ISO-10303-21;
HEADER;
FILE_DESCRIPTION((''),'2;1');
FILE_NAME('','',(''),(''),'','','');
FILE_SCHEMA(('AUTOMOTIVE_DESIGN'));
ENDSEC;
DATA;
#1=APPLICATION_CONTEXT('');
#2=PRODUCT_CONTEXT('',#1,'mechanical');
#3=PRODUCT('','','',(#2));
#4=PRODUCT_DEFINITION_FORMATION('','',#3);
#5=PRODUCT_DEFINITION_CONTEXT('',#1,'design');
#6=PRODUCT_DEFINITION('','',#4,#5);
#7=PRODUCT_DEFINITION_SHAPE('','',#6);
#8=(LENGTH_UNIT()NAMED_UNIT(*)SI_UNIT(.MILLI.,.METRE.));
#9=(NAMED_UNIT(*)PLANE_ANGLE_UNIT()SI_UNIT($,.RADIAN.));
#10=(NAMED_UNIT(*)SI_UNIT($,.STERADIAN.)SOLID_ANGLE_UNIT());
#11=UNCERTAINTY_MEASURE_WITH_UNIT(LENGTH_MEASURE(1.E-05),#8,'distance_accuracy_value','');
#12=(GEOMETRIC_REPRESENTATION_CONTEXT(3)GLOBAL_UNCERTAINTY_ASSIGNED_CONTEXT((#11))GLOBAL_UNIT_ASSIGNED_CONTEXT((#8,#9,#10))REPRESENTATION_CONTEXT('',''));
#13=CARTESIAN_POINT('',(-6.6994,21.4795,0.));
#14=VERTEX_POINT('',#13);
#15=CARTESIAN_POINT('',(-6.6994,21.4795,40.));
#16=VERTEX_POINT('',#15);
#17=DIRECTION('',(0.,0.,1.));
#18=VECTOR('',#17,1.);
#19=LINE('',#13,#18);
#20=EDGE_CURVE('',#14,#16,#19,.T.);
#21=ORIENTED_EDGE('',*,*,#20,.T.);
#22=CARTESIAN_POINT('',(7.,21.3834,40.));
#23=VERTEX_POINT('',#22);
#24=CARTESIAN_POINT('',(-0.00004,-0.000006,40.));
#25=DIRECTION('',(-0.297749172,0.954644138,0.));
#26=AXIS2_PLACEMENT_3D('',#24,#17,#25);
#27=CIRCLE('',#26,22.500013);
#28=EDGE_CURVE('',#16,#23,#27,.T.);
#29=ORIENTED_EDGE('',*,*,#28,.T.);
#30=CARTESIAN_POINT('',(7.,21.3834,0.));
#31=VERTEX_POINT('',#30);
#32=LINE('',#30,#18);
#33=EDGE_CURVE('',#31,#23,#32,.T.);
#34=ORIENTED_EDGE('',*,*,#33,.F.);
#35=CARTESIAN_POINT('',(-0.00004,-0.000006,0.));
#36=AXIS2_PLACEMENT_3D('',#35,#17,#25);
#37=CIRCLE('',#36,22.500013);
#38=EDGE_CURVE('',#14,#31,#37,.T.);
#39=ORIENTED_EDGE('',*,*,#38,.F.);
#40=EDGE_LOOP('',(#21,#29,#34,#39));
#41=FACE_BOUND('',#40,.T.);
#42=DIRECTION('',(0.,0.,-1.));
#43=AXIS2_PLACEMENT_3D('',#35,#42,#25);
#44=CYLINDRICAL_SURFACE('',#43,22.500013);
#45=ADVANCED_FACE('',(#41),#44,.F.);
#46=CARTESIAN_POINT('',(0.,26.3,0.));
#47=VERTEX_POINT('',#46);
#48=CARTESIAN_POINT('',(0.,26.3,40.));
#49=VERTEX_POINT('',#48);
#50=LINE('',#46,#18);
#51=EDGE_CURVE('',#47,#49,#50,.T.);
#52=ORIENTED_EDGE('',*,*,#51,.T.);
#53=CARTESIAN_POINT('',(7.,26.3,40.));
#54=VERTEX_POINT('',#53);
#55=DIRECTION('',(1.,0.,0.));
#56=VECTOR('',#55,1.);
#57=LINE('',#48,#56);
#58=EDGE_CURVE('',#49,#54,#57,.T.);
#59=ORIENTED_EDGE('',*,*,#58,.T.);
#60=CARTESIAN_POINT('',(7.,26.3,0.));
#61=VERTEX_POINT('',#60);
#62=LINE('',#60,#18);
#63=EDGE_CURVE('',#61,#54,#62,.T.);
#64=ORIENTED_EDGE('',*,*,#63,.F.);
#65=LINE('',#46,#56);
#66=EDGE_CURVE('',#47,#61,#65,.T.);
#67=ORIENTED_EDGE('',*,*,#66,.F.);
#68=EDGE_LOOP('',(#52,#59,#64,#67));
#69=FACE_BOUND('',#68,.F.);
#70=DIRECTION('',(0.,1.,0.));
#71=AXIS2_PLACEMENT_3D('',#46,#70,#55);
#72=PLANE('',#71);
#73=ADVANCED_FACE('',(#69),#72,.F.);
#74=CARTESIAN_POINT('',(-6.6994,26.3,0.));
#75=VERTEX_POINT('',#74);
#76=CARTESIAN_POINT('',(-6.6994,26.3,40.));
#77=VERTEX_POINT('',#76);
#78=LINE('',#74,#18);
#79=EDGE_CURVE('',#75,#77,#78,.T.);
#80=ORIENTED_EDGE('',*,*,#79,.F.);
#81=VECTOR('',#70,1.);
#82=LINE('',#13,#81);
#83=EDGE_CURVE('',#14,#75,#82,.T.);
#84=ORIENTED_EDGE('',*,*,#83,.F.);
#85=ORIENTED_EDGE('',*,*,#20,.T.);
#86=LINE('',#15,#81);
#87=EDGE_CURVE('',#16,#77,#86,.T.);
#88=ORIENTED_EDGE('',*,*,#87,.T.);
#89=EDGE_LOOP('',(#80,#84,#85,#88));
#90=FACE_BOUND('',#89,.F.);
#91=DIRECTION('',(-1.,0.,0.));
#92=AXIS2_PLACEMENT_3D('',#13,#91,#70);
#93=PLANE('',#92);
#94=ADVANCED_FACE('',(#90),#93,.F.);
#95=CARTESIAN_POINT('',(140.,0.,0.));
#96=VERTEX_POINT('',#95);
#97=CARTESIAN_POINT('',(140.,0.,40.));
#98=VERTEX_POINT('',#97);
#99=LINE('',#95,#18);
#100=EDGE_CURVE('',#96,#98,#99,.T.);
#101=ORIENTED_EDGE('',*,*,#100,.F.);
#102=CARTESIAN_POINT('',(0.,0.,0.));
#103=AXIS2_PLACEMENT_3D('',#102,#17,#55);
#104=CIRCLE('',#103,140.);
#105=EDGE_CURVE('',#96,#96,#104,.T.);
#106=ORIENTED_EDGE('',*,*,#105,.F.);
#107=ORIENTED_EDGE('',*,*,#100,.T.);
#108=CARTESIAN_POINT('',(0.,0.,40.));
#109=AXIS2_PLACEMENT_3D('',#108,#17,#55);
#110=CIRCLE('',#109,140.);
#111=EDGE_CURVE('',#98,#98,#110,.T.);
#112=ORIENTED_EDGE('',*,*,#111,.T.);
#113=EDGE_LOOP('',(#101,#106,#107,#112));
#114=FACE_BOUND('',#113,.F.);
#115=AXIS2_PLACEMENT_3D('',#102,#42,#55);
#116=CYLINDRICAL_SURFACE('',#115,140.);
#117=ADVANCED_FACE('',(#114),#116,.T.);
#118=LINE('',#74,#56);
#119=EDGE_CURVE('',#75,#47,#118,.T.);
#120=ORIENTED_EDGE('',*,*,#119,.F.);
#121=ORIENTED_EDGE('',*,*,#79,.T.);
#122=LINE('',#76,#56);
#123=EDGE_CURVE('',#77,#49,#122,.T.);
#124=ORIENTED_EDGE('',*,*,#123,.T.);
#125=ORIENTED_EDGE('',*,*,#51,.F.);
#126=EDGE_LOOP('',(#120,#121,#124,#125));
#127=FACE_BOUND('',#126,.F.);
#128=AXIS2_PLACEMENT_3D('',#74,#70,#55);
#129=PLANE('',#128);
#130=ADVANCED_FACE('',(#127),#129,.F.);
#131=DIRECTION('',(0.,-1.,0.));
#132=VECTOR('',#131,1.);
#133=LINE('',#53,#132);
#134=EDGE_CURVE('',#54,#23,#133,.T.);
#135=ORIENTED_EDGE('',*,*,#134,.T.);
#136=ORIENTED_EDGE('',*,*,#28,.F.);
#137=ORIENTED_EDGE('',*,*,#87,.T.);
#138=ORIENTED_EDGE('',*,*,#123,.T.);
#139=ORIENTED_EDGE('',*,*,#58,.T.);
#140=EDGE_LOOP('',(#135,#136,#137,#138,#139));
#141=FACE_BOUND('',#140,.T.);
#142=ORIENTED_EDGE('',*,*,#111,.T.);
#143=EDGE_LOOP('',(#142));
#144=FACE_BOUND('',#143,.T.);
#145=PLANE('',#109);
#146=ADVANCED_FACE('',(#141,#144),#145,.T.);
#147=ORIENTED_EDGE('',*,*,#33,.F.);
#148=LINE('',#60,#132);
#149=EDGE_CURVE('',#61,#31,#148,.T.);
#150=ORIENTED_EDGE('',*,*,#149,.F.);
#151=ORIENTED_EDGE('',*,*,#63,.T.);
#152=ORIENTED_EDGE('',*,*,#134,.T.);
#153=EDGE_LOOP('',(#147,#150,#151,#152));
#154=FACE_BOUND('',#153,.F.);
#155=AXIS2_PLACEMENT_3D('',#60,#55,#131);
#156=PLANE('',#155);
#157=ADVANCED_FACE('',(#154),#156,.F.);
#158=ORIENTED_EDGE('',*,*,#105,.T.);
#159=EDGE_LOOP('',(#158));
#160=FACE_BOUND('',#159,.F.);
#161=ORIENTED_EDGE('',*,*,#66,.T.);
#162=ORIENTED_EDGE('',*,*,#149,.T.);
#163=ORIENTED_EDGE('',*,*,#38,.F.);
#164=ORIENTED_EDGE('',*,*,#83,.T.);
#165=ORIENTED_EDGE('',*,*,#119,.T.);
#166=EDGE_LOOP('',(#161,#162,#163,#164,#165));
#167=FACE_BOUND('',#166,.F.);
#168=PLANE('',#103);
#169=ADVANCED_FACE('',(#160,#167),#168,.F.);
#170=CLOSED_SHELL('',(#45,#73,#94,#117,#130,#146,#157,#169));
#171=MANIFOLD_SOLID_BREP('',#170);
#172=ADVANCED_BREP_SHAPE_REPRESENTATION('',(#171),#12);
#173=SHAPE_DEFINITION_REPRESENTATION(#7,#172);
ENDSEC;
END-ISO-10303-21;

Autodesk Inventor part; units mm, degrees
sketch "スケッチ1" plane through (0, 0, 0) normal (0, 0, 1) x (1, 0, 0)
  circle A0 centre (0, 0) radius 140
  arc A1 (-6.6994, 21.4795) -> (7, 21.3834) centre (0, 0) ccw
  line L0 (0, 22.5) -> (0, 17)
  line L1 (0, 22.5) -> (0, 26.3)
  line L2 (0, 26.3) -> (7, 26.3)
  line L3 (7, 26.3) -> (7, 21.3834)
  line L4 (7, 17) -> (0, 17)
  line L5 (-6.6994, 21.4795) -> (-6.6994, 26.3)
  line L6 (-6.6994, 26.3) -> (0, 26.3)
  dimension "d0" = 280
  dimension "d1" = 45
  dimension "d2" = 5.5
  dimension "d3" = 3.8
  dimension "d4" = 7
extrude "押し出し1" add sketch "スケッチ1" along normal blind 40
sketch "スケッチ2" plane through (0, 0, 0) normal (0, 0, 1) x (1, 0, 0)
  arc A0 (-6.6994, 21.4795) -> (7, 21.3834) centre (0, 0) ccw projected
  circle A1 centre (0, 0) radius 96 construction
  circle A2 centre (0, 0) radius 87.5 construction
  dimension "d7" = 192
  dimension "d8" = 175
properties part number "gear2"
